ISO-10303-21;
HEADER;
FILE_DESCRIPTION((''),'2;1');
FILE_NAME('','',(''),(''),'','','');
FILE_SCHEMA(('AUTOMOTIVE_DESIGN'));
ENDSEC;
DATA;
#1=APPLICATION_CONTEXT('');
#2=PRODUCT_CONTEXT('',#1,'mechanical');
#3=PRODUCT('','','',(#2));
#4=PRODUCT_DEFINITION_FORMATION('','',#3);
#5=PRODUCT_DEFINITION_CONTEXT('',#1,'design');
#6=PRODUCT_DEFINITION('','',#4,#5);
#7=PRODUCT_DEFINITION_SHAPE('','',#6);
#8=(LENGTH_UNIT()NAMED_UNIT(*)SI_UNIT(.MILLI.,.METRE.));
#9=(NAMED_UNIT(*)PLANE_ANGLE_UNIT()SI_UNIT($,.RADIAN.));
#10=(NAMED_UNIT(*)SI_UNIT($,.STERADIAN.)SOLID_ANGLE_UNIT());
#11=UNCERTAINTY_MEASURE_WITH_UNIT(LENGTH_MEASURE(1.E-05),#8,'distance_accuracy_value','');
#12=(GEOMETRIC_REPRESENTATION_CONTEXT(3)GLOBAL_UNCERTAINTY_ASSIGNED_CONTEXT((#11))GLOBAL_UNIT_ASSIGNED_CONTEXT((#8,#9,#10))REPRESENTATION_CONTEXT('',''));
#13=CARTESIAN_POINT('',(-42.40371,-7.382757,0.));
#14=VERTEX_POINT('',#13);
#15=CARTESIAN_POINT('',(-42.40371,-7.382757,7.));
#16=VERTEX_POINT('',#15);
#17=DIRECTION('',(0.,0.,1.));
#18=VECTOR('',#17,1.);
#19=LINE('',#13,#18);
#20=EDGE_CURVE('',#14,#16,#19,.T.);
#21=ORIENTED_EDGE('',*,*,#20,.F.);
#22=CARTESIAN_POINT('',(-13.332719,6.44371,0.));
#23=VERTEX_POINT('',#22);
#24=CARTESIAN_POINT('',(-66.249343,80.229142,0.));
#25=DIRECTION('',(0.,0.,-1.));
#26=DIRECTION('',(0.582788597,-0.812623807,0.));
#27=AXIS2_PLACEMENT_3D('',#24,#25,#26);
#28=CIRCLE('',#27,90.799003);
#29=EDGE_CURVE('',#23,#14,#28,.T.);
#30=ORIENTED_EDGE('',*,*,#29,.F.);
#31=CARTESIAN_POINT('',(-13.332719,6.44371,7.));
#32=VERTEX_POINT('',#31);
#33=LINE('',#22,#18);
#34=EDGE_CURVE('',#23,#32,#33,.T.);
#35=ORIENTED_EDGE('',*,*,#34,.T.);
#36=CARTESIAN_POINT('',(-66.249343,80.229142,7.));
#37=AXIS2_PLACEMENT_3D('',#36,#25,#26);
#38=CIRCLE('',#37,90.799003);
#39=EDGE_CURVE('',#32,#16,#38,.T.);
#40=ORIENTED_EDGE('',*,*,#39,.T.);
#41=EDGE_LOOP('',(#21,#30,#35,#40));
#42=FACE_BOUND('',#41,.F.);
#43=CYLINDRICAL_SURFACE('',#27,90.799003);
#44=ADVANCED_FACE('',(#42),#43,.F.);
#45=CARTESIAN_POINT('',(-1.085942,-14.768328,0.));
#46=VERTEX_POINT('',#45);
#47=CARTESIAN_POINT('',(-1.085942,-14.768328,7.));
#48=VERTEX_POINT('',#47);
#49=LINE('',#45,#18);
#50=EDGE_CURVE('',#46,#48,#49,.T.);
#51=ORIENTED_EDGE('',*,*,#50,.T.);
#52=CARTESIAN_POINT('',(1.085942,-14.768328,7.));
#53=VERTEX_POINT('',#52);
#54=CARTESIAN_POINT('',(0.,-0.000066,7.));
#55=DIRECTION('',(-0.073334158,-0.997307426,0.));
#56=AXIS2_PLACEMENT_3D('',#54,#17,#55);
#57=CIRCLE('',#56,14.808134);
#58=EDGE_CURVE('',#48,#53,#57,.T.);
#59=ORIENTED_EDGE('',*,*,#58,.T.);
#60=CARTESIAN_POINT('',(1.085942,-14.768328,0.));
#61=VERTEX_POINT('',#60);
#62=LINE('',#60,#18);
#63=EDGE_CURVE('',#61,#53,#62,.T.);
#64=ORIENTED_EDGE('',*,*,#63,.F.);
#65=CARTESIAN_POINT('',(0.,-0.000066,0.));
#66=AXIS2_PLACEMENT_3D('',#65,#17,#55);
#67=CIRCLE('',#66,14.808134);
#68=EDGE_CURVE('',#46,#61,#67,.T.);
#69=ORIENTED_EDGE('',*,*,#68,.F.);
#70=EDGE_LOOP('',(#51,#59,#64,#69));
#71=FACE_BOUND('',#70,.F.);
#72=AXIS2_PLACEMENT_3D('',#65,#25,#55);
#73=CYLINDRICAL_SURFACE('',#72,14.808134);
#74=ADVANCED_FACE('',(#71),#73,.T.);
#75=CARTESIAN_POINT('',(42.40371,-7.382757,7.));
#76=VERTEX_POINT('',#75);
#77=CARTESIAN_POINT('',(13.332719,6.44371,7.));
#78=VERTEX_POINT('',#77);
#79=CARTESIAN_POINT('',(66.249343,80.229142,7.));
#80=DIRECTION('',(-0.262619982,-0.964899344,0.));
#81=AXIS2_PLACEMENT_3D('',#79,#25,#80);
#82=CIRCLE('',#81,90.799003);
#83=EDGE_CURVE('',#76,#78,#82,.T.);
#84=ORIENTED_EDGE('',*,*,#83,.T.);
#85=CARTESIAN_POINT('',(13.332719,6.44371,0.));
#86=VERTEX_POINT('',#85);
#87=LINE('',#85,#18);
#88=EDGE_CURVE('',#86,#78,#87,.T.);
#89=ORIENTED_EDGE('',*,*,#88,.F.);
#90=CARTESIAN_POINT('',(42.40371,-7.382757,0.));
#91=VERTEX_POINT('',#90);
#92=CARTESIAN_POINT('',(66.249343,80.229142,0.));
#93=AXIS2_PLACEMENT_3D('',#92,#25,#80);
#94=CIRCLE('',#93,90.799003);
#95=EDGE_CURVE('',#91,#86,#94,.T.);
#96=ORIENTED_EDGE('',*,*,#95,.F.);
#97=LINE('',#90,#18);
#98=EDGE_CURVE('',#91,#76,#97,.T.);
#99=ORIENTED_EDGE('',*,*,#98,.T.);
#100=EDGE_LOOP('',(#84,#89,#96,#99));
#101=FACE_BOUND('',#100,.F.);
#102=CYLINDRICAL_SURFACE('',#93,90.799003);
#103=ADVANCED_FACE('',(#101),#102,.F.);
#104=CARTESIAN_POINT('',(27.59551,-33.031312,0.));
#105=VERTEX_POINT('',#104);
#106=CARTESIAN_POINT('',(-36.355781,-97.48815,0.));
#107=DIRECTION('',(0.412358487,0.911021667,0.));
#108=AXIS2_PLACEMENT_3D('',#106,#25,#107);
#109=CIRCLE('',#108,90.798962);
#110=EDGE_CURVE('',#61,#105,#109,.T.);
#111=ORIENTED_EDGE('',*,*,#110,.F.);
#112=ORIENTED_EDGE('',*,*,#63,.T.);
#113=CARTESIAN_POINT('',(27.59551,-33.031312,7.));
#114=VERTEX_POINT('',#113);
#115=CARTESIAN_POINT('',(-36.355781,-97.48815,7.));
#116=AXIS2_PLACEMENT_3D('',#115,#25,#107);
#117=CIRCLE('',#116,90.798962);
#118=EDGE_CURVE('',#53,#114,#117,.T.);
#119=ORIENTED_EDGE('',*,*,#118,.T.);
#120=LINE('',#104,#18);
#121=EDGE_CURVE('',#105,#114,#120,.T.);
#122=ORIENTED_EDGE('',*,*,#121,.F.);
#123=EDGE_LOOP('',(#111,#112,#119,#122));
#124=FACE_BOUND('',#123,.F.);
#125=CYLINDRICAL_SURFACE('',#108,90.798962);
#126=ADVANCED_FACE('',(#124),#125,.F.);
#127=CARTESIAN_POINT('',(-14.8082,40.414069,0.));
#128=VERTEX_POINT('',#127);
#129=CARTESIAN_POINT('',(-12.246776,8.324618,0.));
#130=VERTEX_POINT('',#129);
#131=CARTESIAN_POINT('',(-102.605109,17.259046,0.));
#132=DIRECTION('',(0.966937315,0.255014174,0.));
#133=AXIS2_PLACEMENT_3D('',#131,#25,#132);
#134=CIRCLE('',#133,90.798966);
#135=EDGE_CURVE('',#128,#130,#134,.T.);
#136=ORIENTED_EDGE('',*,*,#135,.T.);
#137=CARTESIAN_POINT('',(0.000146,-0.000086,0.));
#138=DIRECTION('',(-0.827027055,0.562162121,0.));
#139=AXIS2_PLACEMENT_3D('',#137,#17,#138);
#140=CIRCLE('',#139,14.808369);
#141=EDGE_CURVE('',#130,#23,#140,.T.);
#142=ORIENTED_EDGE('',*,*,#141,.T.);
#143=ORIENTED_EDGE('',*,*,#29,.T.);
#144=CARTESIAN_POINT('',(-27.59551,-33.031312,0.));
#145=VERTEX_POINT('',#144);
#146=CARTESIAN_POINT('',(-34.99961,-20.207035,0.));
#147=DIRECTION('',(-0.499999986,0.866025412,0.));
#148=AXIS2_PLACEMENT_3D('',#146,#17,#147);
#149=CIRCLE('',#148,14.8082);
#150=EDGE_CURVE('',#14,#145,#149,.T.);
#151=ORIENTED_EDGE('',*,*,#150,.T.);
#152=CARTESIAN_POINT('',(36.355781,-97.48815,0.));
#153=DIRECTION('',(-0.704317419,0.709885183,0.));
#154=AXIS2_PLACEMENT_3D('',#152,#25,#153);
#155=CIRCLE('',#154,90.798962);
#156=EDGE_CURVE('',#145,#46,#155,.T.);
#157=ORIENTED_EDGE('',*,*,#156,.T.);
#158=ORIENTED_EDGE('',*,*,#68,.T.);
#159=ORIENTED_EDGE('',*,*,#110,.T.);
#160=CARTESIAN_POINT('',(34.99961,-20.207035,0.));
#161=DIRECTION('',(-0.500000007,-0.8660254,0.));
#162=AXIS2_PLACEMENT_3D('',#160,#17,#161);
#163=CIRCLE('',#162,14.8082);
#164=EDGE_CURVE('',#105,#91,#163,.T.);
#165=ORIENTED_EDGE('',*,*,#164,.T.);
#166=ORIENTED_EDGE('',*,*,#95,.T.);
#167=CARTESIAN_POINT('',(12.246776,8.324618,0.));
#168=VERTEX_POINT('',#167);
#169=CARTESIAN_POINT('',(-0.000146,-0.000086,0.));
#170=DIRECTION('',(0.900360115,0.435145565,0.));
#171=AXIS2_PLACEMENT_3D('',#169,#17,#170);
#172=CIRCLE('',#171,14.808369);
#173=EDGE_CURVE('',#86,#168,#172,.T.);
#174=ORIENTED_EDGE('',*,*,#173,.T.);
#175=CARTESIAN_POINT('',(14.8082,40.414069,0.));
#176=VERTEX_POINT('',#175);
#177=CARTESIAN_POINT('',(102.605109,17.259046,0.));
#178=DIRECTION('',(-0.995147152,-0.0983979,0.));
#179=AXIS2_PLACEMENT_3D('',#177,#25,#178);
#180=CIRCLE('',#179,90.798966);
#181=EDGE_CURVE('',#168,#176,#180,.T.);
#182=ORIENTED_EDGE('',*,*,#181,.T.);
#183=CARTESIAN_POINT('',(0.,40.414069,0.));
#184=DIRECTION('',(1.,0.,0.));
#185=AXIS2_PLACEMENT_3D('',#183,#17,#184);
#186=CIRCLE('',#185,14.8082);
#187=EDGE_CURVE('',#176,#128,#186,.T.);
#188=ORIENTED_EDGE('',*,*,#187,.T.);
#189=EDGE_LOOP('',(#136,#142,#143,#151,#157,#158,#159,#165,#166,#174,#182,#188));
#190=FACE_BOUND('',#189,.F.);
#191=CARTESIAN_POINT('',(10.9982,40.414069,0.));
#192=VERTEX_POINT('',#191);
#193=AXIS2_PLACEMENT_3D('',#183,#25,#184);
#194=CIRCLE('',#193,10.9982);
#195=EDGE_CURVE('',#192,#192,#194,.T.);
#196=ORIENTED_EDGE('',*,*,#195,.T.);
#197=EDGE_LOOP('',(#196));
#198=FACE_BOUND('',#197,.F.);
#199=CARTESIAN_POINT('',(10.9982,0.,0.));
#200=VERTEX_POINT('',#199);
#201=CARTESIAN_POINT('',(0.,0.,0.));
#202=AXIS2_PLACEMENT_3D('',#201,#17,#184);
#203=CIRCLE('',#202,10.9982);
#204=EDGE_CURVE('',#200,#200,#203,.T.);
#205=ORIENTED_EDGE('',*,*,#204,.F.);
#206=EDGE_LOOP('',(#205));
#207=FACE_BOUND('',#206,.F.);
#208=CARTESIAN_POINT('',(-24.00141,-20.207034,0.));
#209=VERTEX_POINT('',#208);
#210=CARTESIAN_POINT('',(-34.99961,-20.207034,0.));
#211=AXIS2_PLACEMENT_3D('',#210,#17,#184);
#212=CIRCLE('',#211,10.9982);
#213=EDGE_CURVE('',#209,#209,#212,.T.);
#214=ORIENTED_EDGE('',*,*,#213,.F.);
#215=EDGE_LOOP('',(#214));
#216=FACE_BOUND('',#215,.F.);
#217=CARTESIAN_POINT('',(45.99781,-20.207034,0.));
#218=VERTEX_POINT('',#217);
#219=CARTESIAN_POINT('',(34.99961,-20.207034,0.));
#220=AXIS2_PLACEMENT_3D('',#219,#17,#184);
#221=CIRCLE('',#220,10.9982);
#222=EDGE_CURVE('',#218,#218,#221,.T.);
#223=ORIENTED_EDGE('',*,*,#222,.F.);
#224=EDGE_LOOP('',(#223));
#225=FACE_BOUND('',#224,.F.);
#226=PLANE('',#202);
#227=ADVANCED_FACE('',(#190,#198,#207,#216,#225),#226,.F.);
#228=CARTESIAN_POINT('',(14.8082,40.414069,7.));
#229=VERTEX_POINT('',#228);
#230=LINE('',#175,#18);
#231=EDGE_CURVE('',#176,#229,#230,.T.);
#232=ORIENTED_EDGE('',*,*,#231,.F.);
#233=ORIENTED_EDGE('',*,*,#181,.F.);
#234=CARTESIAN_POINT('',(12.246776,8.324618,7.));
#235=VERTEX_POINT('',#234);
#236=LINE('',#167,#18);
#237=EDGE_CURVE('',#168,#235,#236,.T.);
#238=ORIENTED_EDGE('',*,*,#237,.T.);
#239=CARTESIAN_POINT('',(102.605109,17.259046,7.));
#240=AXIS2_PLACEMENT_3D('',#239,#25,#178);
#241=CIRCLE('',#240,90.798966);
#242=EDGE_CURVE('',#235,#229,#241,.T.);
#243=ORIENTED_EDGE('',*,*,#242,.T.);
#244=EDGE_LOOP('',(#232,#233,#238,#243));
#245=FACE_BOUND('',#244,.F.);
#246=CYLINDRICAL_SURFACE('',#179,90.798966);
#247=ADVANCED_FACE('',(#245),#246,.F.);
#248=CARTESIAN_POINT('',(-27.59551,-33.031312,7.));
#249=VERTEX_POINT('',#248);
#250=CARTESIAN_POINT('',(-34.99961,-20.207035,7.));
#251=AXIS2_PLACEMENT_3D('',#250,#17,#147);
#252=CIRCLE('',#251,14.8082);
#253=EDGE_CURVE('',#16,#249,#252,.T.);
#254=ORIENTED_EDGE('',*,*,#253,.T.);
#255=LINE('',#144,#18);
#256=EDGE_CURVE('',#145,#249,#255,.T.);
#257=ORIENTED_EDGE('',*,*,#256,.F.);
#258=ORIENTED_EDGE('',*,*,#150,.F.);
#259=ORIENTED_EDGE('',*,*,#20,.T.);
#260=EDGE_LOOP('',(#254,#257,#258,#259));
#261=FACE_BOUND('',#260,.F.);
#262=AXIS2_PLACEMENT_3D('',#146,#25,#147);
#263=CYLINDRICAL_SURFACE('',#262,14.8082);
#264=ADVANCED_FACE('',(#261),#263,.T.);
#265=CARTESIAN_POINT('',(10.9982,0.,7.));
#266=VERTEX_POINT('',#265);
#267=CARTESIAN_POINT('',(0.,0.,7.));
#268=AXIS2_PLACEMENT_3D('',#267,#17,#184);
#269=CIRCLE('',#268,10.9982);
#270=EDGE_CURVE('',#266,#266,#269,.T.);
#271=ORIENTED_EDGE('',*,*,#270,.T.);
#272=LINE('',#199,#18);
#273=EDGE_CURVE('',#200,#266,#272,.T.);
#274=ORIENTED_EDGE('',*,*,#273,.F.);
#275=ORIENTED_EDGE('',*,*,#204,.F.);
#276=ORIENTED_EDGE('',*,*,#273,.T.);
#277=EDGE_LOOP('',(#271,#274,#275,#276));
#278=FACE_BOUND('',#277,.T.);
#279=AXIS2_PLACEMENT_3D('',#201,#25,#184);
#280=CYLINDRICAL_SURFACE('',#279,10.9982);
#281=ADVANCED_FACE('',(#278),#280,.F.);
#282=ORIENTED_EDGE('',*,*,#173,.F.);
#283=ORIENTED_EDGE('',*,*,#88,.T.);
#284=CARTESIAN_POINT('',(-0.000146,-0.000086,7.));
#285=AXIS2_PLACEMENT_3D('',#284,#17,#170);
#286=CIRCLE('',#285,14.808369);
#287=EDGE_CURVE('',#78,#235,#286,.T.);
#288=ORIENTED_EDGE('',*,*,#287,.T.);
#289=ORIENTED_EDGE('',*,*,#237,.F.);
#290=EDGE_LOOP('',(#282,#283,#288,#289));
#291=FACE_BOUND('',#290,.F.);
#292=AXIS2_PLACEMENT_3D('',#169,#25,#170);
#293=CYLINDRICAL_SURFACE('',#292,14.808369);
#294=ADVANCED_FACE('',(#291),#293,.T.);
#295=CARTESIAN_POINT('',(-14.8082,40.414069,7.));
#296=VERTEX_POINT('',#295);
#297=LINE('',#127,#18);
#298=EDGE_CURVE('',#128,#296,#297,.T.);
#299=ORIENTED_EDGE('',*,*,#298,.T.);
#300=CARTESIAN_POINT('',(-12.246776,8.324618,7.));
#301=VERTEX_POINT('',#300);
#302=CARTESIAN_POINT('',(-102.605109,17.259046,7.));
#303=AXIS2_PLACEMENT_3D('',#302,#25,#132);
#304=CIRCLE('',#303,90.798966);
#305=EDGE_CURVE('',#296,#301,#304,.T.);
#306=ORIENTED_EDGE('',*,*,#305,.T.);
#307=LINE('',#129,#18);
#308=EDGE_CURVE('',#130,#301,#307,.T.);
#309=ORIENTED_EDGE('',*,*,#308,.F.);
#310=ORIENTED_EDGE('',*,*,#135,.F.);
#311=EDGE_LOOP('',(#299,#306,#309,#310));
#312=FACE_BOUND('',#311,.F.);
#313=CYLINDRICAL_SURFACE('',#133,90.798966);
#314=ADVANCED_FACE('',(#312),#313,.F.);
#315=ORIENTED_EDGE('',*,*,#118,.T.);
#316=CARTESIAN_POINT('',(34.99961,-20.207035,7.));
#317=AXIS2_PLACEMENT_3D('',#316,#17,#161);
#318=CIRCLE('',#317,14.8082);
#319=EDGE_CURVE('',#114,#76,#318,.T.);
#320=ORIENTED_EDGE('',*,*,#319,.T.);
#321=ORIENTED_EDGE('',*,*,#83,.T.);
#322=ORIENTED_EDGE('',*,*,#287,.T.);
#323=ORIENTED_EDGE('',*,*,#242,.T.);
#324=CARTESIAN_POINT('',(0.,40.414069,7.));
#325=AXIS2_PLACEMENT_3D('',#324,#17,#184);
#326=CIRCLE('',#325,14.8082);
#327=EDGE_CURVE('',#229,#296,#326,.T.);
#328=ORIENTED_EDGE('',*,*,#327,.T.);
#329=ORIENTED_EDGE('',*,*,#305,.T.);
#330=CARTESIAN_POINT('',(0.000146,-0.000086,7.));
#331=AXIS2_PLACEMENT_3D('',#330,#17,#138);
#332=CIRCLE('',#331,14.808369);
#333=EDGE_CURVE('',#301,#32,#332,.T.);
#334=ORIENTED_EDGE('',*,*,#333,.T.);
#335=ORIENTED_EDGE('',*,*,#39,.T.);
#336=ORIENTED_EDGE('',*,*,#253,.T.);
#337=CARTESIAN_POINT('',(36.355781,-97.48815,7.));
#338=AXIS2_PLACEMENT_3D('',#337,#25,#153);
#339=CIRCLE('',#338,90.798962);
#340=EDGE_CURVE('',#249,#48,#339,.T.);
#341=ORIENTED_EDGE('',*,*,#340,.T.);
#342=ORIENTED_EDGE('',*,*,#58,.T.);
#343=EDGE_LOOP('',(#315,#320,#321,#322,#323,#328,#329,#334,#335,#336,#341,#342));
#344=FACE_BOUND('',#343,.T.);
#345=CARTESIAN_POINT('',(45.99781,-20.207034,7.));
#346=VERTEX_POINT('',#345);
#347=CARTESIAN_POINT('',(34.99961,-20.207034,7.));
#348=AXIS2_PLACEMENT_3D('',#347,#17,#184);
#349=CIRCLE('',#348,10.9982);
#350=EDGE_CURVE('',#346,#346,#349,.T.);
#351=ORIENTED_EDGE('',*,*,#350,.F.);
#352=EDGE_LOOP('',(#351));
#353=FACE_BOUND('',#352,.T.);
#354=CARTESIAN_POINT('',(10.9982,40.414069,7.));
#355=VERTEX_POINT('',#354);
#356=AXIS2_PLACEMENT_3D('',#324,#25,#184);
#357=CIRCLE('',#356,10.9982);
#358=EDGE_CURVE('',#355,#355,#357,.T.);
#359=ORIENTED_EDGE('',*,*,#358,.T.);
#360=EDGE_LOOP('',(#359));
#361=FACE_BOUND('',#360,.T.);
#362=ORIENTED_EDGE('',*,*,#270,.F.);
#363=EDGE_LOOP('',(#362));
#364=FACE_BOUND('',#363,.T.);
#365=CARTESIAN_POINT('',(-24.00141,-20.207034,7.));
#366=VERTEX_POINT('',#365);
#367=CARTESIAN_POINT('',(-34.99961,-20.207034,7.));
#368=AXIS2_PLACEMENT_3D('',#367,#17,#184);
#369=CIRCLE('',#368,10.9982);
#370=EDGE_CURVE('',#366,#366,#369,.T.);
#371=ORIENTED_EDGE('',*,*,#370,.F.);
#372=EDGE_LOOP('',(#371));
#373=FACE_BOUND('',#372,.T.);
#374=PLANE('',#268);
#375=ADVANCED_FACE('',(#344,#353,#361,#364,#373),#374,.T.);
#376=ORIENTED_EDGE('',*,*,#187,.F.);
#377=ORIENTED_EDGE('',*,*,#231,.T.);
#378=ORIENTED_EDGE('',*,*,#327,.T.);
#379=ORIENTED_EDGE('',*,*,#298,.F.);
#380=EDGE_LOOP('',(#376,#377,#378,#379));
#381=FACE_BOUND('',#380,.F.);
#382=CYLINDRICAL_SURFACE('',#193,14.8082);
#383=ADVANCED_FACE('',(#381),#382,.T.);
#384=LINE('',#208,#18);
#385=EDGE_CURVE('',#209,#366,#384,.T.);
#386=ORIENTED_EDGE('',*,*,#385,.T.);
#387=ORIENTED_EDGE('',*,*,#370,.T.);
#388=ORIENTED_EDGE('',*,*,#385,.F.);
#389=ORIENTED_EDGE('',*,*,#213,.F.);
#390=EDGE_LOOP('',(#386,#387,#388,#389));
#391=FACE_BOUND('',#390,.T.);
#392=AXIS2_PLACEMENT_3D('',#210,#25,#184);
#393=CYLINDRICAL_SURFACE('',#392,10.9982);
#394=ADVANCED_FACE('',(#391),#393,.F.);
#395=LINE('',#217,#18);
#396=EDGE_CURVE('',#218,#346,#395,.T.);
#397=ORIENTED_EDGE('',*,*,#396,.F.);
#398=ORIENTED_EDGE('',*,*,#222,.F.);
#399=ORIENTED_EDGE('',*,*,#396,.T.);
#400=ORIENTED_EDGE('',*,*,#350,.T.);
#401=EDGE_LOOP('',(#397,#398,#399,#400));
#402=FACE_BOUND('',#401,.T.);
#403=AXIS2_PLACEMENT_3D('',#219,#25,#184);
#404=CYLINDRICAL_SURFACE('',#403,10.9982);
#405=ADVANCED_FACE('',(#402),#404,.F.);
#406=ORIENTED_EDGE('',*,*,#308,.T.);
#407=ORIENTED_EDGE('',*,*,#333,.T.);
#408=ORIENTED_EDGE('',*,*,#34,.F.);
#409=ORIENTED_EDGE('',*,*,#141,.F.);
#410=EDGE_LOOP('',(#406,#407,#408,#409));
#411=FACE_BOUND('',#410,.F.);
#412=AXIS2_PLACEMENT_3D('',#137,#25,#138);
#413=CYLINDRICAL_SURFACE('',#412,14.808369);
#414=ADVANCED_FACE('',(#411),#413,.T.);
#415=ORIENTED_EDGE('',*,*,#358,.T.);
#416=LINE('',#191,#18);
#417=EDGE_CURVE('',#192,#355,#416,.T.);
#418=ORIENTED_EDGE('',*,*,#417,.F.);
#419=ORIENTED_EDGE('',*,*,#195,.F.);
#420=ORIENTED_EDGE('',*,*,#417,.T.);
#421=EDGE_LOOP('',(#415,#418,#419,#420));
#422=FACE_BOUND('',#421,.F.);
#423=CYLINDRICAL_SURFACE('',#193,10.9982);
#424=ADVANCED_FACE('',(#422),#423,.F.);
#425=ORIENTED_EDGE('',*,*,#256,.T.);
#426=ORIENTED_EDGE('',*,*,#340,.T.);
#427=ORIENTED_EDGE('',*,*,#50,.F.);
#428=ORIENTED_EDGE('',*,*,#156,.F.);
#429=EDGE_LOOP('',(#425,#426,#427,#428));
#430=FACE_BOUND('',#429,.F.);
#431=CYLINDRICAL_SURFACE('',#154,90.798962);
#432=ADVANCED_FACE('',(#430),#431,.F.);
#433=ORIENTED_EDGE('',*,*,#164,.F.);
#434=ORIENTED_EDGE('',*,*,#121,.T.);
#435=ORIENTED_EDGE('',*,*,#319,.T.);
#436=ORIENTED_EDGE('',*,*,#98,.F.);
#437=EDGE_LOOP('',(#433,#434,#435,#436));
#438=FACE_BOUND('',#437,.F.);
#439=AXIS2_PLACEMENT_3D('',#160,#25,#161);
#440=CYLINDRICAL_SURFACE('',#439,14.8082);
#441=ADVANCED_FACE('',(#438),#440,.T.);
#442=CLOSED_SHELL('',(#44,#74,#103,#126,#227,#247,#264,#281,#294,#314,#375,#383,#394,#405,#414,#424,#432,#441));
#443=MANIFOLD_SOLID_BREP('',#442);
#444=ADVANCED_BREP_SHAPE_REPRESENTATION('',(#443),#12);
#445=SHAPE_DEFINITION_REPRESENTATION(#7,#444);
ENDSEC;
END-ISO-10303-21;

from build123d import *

# Parameters (mm, degrees)
F0_R     = 10.9982
F1_DEPTH = 7


with BuildPart() as f1:
    # F0 (on Top) → F1 (new body)
    with BuildSketch(Plane.XY):
        with BuildLine():
            ThreePointArc((12.246776, 8.324618), (12.094028, 24.483764), (14.8082, 40.414069))
            ThreePointArc((14.8082, 40.414069), (0, 55.222269), (-14.8082, 40.414069))
            ThreePointArc((-14.8082, 40.414069), (-12.094028, 24.483764), (-12.246776, 8.324618))
            ThreePointArc((-12.246776, 8.324618), (-12.824277, 7.4041), (-13.332719, 6.44371))
            ThreePointArc((-13.332719, 6.44371), (-27.250576, -1.768146), (-42.40371, -7.382757))
            ThreePointArc((-42.40371, -7.382757), (-47.823888, -27.611134), (-27.59551, -33.031312))
            ThreePointArc((-27.59551, -33.031312), (-15.156548, -22.715618), (-1.085942, -14.768328))
            ThreePointArc((-1.085942, -14.768328), (0, -14.8082), (1.085942, -14.768328))
            ThreePointArc((1.085942, -14.768328), (15.156548, -22.715618), (27.59551, -33.031312))
            ThreePointArc((27.59551, -33.031312), (47.823888, -27.611134), (42.40371, -7.382757))
            ThreePointArc((42.40371, -7.382757), (27.250576, -1.768146), (13.332719, 6.44371))
            ThreePointArc((13.332719, 6.44371), (12.824277, 7.4041), (12.246776, 8.324618))
        make_face()
        with Locations((-34.99961, -20.207034)):
            Circle(F0_R, mode=Mode.SUBTRACT)
        with Locations((34.99961, -20.207034)):
            Circle(F0_R, mode=Mode.SUBTRACT)
        Circle(F0_R, mode=Mode.SUBTRACT)
        with BuildLine():
            ThreePointArc((-10.9982, 40.414069), (0, 51.412269), (10.9982, 40.414069))
            ThreePointArc((10.9982, 40.414069), (0, 29.415869), (-10.9982, 40.414069))
        make_face(mode=Mode.SUBTRACT)
    extrude(amount=F1_DEPTH)


solid = f1.part
